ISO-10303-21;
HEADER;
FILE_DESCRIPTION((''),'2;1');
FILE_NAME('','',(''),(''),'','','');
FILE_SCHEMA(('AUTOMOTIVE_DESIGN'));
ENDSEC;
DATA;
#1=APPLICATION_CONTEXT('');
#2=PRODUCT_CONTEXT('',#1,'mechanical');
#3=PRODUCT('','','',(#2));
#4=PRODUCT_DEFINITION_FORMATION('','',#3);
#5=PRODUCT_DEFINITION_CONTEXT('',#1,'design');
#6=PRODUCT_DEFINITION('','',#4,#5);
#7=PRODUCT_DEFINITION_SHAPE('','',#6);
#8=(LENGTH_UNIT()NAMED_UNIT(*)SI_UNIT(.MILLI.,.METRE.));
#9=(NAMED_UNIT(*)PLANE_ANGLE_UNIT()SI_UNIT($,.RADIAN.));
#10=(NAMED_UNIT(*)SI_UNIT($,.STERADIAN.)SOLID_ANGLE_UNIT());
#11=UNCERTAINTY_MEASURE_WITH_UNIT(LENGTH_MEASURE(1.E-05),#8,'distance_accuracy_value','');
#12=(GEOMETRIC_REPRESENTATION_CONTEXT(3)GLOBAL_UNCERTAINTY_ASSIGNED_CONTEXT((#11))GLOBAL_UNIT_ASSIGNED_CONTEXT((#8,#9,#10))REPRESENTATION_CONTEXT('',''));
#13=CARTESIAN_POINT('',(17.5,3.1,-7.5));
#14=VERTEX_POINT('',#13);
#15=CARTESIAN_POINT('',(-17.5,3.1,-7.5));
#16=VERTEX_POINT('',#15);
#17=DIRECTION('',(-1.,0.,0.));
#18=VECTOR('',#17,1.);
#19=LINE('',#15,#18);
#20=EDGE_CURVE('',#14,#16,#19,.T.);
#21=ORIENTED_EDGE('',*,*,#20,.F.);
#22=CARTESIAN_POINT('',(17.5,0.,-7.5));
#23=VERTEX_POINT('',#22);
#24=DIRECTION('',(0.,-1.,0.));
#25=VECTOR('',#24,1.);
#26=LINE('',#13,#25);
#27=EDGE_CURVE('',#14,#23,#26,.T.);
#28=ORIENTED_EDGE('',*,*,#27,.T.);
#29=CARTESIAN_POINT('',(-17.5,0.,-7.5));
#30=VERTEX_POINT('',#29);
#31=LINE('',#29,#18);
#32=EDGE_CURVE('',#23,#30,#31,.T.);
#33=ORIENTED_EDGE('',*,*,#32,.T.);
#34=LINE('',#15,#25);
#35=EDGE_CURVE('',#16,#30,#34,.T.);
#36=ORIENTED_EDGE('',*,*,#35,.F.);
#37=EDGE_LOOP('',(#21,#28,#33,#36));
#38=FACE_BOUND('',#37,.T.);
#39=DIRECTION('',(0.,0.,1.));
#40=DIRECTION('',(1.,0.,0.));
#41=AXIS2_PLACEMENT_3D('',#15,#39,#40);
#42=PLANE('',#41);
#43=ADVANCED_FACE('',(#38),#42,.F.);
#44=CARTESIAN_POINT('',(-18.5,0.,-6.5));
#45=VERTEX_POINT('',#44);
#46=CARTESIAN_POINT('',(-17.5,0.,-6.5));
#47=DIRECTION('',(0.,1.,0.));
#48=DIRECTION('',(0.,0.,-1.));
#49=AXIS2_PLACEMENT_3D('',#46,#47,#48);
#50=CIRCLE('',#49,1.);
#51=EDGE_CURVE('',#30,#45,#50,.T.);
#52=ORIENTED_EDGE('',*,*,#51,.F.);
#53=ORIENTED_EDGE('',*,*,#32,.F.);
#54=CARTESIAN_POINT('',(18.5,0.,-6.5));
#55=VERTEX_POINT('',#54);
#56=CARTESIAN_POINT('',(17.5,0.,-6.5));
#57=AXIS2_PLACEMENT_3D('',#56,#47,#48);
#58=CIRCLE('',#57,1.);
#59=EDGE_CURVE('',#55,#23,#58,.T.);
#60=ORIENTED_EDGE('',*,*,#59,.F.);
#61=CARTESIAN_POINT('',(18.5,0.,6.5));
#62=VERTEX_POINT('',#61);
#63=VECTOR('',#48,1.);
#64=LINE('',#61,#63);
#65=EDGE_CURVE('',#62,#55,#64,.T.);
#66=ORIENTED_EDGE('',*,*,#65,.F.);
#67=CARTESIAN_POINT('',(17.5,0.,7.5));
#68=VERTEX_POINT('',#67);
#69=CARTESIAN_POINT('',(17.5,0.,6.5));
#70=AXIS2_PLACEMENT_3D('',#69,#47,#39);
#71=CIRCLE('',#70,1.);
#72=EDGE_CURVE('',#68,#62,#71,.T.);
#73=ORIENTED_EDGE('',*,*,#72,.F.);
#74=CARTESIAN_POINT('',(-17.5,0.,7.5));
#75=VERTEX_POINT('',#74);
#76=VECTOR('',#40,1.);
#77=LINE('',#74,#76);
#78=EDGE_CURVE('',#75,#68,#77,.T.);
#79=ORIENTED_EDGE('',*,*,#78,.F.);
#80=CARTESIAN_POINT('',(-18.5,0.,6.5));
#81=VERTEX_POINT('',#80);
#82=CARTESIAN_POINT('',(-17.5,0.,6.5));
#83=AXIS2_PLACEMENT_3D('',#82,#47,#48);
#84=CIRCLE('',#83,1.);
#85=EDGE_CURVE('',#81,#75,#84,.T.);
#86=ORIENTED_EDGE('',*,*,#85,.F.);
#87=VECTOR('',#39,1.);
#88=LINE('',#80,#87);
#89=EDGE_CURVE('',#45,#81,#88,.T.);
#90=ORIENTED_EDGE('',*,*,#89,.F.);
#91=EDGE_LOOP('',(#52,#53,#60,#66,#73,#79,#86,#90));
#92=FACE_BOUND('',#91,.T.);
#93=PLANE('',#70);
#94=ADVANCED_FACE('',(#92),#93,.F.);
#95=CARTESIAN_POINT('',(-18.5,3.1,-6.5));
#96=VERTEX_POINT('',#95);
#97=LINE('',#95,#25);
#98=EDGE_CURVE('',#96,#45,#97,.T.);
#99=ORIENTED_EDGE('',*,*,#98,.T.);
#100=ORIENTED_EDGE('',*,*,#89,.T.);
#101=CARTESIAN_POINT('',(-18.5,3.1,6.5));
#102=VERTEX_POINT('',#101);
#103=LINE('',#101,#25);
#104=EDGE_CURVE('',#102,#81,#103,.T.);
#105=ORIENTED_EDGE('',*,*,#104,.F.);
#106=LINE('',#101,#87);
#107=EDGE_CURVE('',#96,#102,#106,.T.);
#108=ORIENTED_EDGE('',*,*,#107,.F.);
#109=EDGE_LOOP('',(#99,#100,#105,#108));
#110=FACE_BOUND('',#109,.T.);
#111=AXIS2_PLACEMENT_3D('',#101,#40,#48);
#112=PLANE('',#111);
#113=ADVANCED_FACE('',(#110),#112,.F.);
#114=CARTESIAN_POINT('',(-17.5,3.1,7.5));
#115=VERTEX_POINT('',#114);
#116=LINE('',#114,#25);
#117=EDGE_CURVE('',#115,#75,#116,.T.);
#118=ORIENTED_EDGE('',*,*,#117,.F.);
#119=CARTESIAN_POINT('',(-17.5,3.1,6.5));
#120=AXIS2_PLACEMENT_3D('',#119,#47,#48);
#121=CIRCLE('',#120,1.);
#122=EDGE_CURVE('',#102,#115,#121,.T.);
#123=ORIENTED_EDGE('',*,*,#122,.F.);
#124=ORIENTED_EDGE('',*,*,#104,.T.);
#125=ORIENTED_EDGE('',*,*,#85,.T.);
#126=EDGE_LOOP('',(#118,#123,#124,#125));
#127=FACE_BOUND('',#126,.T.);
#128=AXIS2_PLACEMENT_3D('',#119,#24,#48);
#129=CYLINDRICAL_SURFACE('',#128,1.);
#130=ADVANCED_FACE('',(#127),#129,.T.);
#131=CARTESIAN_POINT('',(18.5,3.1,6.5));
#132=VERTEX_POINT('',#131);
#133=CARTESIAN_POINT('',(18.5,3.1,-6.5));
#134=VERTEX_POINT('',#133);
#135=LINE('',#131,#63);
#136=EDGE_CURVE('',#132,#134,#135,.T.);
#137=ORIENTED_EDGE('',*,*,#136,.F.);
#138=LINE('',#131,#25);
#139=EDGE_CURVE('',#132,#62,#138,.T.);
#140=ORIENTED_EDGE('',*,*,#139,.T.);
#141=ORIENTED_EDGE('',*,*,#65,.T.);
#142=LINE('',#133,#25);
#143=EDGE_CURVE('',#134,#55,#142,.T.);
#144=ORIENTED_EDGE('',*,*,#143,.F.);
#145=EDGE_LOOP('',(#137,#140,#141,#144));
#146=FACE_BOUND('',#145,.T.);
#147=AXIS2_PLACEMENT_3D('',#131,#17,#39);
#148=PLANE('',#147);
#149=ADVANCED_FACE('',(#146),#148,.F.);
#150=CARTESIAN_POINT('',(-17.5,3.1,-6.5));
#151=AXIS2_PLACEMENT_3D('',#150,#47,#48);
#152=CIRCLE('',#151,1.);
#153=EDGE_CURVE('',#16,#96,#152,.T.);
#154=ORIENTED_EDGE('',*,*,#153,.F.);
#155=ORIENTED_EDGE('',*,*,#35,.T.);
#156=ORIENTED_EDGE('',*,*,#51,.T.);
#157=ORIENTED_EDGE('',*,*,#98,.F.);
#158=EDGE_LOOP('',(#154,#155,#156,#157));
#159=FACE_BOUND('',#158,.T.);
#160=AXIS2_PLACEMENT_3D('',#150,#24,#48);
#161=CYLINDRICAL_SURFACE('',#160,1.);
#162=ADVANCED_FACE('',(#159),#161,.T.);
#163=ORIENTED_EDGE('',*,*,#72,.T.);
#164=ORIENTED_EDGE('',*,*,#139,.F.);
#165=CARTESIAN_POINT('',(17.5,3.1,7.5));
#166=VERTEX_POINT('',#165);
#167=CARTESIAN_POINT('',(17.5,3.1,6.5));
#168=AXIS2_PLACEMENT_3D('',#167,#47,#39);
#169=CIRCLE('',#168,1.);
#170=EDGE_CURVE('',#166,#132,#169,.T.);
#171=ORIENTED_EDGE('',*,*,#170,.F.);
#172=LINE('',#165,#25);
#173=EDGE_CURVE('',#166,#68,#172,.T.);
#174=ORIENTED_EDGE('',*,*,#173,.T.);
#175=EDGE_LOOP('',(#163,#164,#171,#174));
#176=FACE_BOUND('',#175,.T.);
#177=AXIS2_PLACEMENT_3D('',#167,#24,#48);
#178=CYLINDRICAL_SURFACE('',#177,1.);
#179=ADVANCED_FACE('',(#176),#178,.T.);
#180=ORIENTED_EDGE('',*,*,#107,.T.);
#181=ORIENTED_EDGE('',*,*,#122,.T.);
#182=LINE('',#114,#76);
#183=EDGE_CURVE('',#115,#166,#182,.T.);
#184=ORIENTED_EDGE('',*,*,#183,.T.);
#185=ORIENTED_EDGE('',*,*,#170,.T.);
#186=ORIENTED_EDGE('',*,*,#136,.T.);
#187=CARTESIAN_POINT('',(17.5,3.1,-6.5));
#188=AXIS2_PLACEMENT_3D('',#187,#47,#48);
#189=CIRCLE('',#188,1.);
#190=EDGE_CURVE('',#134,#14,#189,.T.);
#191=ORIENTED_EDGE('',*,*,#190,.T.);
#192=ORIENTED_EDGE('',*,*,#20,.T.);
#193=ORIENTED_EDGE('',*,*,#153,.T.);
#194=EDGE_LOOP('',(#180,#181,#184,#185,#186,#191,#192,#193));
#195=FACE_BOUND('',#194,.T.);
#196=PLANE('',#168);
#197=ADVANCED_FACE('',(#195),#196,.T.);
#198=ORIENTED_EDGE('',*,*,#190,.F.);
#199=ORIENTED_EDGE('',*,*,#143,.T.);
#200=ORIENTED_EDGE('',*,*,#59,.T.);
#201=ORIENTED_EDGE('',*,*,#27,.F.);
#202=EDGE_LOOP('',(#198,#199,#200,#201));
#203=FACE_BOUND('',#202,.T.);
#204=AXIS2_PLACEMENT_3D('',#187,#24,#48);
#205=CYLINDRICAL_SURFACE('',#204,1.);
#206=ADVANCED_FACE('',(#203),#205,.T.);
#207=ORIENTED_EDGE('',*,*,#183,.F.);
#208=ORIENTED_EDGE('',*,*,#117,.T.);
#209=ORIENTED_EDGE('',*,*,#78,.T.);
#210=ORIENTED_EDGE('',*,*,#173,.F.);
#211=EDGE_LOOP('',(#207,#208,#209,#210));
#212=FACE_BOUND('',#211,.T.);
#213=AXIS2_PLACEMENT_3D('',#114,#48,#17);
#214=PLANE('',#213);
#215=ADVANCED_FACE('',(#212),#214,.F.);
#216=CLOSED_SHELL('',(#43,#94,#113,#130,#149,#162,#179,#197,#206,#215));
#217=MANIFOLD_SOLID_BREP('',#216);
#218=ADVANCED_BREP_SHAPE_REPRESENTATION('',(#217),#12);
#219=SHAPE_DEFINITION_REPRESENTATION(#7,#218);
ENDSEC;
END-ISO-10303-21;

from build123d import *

# Parameters (mm, degrees)
BOSS_EXTRUDE1_DEPTH = 3.1


with BuildPart() as part:
    # Sketch1 → Boss-Extrude1 (new body)
    with BuildSketch(Plane(origin=(0, 0, 0), x_dir=(1, 0, 0), z_dir=(0, 1, 0))):
        with BuildLine():
            Line((-17.5, -7.5), (17.5, -7.5))
            ThreePointArc((17.5, -7.5), (18.207106781, -7.207106781), (18.5, -6.5))
            Line((18.5, -6.5), (18.5, 6.5))
            ThreePointArc((18.5, 6.5), (18.207106781, 7.207106781), (17.5, 7.5))
            Line((17.5, 7.5), (-17.5, 7.5))
            ThreePointArc((-17.5, 7.5), (-18.207106781, 7.207106781), (-18.5, 6.5))
            Line((-18.5, 6.5), (-18.5, -6.5))
            ThreePointArc((-18.5, -6.5), (-18.207106781, -7.207106781), (-17.5, -7.5))
        make_face()
    extrude(amount=BOSS_EXTRUDE1_DEPTH)


solid = part.part
